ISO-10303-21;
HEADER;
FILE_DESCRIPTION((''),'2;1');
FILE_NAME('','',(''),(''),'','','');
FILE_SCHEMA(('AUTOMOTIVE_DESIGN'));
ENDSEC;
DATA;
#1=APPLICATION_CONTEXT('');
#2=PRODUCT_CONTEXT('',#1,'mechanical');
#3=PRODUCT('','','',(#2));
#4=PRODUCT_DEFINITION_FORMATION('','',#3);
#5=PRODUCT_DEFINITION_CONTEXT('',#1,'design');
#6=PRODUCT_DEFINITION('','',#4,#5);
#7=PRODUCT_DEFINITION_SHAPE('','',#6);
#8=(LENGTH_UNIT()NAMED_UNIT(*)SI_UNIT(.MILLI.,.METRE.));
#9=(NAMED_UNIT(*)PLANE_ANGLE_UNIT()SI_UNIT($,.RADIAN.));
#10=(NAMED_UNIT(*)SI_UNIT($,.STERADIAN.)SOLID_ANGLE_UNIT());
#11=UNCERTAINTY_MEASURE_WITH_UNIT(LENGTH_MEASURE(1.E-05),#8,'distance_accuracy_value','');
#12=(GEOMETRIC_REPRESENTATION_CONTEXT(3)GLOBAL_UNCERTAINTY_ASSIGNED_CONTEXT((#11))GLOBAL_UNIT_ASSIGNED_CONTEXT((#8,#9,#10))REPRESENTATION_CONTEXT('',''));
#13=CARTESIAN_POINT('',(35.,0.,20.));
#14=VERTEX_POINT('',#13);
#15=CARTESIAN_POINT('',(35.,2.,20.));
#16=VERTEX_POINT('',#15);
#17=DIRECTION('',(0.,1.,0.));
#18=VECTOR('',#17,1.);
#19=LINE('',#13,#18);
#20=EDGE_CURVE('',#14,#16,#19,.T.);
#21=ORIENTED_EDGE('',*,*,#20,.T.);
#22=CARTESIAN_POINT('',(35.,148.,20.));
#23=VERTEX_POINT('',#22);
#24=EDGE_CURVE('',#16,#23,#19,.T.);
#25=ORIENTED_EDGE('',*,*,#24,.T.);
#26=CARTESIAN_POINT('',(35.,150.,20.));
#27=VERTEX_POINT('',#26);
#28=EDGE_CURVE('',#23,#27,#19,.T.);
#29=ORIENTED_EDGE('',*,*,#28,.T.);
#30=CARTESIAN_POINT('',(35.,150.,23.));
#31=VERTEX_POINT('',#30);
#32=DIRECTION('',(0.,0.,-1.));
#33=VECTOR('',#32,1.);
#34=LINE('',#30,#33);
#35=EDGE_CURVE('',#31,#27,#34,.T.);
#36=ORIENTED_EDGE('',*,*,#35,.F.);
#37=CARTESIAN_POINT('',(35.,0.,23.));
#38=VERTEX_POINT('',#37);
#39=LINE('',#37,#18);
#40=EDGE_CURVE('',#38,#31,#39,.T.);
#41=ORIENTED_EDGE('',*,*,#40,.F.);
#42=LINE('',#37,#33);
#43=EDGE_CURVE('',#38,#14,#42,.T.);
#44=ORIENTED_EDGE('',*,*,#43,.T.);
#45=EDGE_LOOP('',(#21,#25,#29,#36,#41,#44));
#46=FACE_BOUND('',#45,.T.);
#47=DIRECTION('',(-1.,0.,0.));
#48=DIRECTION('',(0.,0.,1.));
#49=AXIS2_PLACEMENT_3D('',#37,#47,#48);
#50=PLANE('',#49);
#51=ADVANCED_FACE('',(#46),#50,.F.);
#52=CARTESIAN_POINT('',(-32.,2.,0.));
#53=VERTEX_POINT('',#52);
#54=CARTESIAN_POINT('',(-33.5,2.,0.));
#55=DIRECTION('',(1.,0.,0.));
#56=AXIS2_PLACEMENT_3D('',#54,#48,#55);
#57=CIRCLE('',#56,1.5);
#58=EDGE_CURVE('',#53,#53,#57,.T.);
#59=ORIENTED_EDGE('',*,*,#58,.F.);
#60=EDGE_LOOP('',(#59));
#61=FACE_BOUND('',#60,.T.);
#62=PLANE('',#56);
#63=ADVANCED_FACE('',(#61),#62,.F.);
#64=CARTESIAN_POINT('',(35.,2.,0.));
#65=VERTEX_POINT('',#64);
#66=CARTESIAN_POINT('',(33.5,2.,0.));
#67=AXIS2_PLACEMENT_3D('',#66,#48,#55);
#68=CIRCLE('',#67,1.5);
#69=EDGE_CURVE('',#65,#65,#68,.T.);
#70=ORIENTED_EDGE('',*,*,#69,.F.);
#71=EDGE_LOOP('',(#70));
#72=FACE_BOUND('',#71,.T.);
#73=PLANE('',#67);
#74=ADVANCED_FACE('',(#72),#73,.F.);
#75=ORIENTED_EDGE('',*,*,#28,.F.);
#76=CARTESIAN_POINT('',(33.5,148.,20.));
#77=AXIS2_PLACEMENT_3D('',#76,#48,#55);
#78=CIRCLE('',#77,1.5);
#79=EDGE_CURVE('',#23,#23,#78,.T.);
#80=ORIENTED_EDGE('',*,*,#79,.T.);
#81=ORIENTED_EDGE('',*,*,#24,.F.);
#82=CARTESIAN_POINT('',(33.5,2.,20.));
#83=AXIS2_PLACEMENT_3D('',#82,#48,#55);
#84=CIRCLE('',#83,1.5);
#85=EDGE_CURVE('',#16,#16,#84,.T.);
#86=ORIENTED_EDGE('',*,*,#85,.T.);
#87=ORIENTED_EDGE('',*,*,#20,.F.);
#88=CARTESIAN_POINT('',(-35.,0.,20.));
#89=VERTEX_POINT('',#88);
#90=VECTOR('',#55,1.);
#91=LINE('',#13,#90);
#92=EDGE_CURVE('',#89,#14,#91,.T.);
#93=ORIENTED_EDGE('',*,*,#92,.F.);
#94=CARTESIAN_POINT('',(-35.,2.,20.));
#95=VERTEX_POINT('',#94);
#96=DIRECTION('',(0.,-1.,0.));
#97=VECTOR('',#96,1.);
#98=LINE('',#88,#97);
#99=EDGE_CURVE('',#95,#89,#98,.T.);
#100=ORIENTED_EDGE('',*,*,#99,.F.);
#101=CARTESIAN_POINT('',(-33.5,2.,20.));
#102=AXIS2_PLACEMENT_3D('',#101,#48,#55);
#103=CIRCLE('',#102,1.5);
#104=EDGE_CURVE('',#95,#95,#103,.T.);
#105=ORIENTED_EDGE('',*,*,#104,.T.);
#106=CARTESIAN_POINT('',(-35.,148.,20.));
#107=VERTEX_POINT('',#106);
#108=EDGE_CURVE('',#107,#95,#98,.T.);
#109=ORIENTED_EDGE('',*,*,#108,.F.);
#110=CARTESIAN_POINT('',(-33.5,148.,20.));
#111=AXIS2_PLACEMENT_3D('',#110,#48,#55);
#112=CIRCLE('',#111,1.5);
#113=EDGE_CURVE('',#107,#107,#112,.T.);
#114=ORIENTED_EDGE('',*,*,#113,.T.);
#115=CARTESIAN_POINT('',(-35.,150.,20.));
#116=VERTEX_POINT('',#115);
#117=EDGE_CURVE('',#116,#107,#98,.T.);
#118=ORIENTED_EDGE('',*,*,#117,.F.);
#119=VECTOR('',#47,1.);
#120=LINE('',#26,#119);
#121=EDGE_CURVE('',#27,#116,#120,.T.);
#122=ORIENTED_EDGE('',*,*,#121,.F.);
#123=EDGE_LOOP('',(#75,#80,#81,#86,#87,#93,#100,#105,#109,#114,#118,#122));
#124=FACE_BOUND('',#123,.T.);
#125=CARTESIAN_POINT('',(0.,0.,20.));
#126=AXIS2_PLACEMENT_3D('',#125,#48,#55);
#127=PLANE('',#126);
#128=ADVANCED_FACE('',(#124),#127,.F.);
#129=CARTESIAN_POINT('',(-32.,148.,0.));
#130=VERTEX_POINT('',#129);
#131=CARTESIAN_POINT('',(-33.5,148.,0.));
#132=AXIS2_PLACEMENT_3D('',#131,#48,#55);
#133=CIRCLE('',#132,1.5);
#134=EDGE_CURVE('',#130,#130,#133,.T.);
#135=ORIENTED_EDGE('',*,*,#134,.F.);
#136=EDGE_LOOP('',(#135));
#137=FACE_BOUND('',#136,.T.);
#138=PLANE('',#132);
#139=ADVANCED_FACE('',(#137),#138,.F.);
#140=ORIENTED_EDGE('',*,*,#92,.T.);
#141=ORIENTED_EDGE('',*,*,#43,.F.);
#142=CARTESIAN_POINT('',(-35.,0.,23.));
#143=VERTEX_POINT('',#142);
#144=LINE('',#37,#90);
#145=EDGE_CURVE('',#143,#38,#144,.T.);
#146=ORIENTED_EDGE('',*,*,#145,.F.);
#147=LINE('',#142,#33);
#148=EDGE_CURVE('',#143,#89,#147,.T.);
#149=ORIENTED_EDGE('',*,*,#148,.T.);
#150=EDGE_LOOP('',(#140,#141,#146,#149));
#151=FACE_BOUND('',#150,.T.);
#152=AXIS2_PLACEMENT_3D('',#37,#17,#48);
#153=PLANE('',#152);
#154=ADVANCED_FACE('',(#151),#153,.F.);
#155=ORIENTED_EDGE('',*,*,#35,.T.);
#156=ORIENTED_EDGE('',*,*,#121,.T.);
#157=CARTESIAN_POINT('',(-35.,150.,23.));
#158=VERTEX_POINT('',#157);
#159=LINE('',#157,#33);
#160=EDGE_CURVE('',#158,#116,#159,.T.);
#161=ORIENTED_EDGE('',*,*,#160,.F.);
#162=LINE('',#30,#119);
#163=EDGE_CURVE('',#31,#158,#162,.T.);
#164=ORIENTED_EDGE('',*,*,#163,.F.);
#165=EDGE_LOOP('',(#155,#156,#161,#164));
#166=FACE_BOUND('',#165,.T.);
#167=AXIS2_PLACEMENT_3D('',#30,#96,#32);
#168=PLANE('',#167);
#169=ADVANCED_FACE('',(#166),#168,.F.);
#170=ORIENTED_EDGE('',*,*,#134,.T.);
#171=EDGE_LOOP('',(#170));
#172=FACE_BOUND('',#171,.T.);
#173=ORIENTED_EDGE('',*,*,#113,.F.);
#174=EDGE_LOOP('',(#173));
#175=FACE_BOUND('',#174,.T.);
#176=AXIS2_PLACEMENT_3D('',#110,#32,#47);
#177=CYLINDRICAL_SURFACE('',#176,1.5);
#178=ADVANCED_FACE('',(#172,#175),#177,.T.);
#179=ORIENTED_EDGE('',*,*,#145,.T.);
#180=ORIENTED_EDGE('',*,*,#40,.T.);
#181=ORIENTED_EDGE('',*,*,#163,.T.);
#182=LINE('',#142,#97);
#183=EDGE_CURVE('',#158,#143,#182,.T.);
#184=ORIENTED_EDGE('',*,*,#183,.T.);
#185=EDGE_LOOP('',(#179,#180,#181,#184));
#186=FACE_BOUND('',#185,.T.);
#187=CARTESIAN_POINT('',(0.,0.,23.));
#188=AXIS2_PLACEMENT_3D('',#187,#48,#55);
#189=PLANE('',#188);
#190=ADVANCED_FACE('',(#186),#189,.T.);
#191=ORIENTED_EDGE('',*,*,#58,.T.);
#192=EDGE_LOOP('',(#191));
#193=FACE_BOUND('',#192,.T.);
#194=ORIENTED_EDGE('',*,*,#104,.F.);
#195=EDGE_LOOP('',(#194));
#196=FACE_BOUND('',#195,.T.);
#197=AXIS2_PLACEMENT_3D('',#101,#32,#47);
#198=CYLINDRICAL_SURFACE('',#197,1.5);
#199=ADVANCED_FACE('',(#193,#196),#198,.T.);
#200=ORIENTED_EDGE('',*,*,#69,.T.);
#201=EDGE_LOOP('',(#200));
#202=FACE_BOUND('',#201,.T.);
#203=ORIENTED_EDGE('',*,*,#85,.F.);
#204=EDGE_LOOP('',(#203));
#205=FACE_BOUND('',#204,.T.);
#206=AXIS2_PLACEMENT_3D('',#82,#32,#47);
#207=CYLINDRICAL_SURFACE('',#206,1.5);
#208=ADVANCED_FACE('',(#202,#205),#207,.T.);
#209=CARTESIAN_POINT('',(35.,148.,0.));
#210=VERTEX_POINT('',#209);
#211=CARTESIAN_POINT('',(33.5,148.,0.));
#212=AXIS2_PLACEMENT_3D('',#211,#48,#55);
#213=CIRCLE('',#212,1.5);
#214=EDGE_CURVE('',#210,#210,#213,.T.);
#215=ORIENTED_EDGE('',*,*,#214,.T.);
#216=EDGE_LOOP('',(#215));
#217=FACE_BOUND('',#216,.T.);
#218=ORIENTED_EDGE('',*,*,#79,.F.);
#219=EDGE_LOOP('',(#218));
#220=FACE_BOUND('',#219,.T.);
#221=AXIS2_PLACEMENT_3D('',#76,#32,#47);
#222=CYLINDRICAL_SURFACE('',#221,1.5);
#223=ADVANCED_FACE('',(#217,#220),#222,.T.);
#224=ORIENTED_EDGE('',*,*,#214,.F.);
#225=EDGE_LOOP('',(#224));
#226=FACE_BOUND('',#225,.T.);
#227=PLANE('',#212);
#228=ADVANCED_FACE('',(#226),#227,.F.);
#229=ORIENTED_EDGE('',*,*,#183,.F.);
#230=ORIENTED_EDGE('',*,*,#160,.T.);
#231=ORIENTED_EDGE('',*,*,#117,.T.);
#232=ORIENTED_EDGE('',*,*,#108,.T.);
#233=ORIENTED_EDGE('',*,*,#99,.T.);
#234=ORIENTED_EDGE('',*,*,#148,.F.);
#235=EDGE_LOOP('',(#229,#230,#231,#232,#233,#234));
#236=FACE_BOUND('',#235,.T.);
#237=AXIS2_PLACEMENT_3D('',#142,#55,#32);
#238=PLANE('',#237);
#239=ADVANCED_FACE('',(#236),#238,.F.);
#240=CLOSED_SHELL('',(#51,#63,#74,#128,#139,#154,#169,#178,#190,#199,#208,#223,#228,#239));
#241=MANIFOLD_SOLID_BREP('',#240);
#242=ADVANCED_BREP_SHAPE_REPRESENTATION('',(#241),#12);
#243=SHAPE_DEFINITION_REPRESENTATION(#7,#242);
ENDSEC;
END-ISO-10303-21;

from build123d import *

# Parameters (mm, degrees)
ESBO_O1_R                  = 1.5
RESSALTO_EXTRUS_O1_DEPTH   = 20
RESSALTO_EXTRUS_O1_2_DEPTH = 20
RESSALTO_EXTRUS_O1_3_DEPTH = 20
RESSALTO_EXTRUS_O1_4_DEPTH = 20
ESBO_O2_W                  = 70
ESBO_O2_H                  = 150
RESSALTO_EXTRUS_O2_DEPTH   = 3


with BuildPart() as part:
    # Esboço1 → Ressalto-extrusão1 (new body)
    with BuildSketch(Plane.XY):
        with Locations((33.5, 148)):
            Circle(ESBO_O1_R)
    extrude(amount=RESSALTO_EXTRUS_O1_DEPTH)



with BuildPart() as body_2:
    # Esboço1 → Ressalto-extrus_o1 2 (new body)
    with BuildSketch(Plane.XY):
        with Locations((-33.5, 148)):
            Circle(ESBO_O1_R)
    extrude(amount=RESSALTO_EXTRUS_O1_2_DEPTH)


with BuildPart() as body_3:
    # Esboço1 → Ressalto-extrus_o1 3 (new body)
    with BuildSketch(Plane.XY):
        with Locations((33.5, 2)):
            Circle(ESBO_O1_R)
    extrude(amount=RESSALTO_EXTRUS_O1_3_DEPTH)


with BuildPart() as body_4:
    # Esboço1 → Ressalto-extrus_o1 4 (new body)
    with BuildSketch(Plane.XY):
        with Locations((-33.5, 2)):
            Circle(ESBO_O1_R)
    extrude(amount=RESSALTO_EXTRUS_O1_4_DEPTH)


with BuildPart() as part_1:
    add(part.part)

    add(body_2.part)  # Ressalto-extrusão2 merges body 2

    add(body_3.part)  # Ressalto-extrusão2 merges body 3

    add(body_4.part)  # Ressalto-extrusão2 merges body 4
    # Esboço2 → Ressalto-extrusão2 (add)
    with BuildSketch(Plane.XY.offset(20)):
        with Locations((0, 75)):
            Rectangle(ESBO_O2_W, ESBO_O2_H)
    extrude(amount=RESSALTO_EXTRUS_O2_DEPTH)


solid = part_1.part
